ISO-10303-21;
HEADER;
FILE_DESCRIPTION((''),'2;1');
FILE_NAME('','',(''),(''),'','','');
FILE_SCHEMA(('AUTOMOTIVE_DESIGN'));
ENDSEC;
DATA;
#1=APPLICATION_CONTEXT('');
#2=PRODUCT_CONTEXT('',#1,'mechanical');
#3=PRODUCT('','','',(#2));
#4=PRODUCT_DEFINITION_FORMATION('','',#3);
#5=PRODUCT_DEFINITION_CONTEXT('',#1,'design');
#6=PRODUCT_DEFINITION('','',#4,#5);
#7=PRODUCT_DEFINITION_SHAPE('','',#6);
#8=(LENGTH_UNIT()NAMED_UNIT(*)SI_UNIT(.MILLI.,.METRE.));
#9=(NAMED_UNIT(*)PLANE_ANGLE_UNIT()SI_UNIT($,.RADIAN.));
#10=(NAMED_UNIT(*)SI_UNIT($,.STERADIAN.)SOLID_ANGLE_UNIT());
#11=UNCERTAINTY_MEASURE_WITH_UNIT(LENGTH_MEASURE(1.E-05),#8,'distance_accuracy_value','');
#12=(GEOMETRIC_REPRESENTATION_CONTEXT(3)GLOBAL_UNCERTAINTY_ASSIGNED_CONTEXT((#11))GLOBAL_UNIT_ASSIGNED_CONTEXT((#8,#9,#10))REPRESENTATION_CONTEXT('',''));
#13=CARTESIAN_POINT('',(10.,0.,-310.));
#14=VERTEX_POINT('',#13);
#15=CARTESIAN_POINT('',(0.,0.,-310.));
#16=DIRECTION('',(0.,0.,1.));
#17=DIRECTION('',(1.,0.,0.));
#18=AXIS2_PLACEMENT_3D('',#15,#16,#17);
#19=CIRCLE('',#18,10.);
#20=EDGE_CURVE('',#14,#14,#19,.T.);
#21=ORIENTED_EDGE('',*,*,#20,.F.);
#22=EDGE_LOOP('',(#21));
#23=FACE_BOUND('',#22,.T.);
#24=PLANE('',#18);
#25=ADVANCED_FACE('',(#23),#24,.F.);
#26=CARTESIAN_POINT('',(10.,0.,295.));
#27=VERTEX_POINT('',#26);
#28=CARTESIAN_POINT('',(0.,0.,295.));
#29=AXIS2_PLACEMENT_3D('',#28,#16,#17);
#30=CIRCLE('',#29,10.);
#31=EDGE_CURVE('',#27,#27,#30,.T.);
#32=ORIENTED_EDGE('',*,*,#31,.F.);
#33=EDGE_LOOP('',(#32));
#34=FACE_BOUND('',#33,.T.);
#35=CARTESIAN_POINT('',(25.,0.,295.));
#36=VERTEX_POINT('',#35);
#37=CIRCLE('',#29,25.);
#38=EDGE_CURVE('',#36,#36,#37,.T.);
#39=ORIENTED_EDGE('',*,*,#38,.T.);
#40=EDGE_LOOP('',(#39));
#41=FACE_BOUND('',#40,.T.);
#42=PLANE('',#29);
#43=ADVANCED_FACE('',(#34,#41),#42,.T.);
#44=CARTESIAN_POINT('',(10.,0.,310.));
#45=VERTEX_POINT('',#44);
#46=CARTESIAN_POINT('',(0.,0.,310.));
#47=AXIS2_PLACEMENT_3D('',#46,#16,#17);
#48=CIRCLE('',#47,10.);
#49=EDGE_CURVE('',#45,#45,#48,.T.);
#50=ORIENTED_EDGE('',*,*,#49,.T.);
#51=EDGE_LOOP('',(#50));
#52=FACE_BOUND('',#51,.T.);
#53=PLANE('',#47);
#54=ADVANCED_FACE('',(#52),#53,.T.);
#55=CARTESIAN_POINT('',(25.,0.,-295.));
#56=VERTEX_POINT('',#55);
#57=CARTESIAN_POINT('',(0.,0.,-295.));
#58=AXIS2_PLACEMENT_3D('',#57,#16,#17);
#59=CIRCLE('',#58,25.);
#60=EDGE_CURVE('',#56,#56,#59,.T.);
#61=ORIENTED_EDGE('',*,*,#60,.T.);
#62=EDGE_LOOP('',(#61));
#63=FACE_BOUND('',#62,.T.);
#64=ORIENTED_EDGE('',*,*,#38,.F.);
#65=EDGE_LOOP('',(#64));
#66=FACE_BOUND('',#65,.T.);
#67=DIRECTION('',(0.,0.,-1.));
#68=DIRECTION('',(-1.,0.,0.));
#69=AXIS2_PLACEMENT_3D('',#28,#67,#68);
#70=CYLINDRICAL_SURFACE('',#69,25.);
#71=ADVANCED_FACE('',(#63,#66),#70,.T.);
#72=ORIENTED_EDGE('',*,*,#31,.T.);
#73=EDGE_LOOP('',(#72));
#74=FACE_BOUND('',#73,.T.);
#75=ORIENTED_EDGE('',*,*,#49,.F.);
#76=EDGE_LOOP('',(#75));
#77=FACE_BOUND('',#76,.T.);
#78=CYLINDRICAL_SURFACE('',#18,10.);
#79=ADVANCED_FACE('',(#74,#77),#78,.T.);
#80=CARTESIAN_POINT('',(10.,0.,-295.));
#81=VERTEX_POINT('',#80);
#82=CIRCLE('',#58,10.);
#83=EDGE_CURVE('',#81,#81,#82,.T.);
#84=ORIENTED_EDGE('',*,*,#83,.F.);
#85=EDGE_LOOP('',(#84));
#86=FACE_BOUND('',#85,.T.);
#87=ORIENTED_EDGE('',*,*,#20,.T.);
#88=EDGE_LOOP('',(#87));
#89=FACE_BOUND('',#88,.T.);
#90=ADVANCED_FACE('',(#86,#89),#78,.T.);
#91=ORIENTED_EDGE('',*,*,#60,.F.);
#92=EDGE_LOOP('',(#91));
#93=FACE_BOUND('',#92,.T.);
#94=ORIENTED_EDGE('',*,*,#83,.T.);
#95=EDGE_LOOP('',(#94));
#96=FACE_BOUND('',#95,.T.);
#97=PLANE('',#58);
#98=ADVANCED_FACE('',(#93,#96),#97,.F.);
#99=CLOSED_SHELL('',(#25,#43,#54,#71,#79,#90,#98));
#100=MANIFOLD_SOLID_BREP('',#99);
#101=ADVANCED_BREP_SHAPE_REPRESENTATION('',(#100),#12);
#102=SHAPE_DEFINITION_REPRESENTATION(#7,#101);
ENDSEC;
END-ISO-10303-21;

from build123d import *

# Parameters (mm, degrees)
SKETCH2_R                = 25
BOSS_EXTRUDE1_DEPTH      = 295
BOSS_EXTRUDE2_DEPTH      = 310
BOSS_EXTRUDE2_DEPTH_BACK = 310
SKETCH2_3_R              = 10


with BuildPart() as part:
    # Sketch2 → Boss-Extrude1 (new, symmetric)
    with BuildSketch(Plane.XY):
        Circle(SKETCH2_R)
    extrude(amount=BOSS_EXTRUDE1_DEPTH, both=True)

    # Sketch2<3> → Boss-Extrude2 (add, two sides: drawn at the far end of the back side and taken through both)
    with BuildSketch(Plane.XY.offset(-BOSS_EXTRUDE2_DEPTH_BACK)):
        Circle(SKETCH2_3_R)
    extrude(amount=BOSS_EXTRUDE2_DEPTH + BOSS_EXTRUDE2_DEPTH_BACK)


solid = part.part
